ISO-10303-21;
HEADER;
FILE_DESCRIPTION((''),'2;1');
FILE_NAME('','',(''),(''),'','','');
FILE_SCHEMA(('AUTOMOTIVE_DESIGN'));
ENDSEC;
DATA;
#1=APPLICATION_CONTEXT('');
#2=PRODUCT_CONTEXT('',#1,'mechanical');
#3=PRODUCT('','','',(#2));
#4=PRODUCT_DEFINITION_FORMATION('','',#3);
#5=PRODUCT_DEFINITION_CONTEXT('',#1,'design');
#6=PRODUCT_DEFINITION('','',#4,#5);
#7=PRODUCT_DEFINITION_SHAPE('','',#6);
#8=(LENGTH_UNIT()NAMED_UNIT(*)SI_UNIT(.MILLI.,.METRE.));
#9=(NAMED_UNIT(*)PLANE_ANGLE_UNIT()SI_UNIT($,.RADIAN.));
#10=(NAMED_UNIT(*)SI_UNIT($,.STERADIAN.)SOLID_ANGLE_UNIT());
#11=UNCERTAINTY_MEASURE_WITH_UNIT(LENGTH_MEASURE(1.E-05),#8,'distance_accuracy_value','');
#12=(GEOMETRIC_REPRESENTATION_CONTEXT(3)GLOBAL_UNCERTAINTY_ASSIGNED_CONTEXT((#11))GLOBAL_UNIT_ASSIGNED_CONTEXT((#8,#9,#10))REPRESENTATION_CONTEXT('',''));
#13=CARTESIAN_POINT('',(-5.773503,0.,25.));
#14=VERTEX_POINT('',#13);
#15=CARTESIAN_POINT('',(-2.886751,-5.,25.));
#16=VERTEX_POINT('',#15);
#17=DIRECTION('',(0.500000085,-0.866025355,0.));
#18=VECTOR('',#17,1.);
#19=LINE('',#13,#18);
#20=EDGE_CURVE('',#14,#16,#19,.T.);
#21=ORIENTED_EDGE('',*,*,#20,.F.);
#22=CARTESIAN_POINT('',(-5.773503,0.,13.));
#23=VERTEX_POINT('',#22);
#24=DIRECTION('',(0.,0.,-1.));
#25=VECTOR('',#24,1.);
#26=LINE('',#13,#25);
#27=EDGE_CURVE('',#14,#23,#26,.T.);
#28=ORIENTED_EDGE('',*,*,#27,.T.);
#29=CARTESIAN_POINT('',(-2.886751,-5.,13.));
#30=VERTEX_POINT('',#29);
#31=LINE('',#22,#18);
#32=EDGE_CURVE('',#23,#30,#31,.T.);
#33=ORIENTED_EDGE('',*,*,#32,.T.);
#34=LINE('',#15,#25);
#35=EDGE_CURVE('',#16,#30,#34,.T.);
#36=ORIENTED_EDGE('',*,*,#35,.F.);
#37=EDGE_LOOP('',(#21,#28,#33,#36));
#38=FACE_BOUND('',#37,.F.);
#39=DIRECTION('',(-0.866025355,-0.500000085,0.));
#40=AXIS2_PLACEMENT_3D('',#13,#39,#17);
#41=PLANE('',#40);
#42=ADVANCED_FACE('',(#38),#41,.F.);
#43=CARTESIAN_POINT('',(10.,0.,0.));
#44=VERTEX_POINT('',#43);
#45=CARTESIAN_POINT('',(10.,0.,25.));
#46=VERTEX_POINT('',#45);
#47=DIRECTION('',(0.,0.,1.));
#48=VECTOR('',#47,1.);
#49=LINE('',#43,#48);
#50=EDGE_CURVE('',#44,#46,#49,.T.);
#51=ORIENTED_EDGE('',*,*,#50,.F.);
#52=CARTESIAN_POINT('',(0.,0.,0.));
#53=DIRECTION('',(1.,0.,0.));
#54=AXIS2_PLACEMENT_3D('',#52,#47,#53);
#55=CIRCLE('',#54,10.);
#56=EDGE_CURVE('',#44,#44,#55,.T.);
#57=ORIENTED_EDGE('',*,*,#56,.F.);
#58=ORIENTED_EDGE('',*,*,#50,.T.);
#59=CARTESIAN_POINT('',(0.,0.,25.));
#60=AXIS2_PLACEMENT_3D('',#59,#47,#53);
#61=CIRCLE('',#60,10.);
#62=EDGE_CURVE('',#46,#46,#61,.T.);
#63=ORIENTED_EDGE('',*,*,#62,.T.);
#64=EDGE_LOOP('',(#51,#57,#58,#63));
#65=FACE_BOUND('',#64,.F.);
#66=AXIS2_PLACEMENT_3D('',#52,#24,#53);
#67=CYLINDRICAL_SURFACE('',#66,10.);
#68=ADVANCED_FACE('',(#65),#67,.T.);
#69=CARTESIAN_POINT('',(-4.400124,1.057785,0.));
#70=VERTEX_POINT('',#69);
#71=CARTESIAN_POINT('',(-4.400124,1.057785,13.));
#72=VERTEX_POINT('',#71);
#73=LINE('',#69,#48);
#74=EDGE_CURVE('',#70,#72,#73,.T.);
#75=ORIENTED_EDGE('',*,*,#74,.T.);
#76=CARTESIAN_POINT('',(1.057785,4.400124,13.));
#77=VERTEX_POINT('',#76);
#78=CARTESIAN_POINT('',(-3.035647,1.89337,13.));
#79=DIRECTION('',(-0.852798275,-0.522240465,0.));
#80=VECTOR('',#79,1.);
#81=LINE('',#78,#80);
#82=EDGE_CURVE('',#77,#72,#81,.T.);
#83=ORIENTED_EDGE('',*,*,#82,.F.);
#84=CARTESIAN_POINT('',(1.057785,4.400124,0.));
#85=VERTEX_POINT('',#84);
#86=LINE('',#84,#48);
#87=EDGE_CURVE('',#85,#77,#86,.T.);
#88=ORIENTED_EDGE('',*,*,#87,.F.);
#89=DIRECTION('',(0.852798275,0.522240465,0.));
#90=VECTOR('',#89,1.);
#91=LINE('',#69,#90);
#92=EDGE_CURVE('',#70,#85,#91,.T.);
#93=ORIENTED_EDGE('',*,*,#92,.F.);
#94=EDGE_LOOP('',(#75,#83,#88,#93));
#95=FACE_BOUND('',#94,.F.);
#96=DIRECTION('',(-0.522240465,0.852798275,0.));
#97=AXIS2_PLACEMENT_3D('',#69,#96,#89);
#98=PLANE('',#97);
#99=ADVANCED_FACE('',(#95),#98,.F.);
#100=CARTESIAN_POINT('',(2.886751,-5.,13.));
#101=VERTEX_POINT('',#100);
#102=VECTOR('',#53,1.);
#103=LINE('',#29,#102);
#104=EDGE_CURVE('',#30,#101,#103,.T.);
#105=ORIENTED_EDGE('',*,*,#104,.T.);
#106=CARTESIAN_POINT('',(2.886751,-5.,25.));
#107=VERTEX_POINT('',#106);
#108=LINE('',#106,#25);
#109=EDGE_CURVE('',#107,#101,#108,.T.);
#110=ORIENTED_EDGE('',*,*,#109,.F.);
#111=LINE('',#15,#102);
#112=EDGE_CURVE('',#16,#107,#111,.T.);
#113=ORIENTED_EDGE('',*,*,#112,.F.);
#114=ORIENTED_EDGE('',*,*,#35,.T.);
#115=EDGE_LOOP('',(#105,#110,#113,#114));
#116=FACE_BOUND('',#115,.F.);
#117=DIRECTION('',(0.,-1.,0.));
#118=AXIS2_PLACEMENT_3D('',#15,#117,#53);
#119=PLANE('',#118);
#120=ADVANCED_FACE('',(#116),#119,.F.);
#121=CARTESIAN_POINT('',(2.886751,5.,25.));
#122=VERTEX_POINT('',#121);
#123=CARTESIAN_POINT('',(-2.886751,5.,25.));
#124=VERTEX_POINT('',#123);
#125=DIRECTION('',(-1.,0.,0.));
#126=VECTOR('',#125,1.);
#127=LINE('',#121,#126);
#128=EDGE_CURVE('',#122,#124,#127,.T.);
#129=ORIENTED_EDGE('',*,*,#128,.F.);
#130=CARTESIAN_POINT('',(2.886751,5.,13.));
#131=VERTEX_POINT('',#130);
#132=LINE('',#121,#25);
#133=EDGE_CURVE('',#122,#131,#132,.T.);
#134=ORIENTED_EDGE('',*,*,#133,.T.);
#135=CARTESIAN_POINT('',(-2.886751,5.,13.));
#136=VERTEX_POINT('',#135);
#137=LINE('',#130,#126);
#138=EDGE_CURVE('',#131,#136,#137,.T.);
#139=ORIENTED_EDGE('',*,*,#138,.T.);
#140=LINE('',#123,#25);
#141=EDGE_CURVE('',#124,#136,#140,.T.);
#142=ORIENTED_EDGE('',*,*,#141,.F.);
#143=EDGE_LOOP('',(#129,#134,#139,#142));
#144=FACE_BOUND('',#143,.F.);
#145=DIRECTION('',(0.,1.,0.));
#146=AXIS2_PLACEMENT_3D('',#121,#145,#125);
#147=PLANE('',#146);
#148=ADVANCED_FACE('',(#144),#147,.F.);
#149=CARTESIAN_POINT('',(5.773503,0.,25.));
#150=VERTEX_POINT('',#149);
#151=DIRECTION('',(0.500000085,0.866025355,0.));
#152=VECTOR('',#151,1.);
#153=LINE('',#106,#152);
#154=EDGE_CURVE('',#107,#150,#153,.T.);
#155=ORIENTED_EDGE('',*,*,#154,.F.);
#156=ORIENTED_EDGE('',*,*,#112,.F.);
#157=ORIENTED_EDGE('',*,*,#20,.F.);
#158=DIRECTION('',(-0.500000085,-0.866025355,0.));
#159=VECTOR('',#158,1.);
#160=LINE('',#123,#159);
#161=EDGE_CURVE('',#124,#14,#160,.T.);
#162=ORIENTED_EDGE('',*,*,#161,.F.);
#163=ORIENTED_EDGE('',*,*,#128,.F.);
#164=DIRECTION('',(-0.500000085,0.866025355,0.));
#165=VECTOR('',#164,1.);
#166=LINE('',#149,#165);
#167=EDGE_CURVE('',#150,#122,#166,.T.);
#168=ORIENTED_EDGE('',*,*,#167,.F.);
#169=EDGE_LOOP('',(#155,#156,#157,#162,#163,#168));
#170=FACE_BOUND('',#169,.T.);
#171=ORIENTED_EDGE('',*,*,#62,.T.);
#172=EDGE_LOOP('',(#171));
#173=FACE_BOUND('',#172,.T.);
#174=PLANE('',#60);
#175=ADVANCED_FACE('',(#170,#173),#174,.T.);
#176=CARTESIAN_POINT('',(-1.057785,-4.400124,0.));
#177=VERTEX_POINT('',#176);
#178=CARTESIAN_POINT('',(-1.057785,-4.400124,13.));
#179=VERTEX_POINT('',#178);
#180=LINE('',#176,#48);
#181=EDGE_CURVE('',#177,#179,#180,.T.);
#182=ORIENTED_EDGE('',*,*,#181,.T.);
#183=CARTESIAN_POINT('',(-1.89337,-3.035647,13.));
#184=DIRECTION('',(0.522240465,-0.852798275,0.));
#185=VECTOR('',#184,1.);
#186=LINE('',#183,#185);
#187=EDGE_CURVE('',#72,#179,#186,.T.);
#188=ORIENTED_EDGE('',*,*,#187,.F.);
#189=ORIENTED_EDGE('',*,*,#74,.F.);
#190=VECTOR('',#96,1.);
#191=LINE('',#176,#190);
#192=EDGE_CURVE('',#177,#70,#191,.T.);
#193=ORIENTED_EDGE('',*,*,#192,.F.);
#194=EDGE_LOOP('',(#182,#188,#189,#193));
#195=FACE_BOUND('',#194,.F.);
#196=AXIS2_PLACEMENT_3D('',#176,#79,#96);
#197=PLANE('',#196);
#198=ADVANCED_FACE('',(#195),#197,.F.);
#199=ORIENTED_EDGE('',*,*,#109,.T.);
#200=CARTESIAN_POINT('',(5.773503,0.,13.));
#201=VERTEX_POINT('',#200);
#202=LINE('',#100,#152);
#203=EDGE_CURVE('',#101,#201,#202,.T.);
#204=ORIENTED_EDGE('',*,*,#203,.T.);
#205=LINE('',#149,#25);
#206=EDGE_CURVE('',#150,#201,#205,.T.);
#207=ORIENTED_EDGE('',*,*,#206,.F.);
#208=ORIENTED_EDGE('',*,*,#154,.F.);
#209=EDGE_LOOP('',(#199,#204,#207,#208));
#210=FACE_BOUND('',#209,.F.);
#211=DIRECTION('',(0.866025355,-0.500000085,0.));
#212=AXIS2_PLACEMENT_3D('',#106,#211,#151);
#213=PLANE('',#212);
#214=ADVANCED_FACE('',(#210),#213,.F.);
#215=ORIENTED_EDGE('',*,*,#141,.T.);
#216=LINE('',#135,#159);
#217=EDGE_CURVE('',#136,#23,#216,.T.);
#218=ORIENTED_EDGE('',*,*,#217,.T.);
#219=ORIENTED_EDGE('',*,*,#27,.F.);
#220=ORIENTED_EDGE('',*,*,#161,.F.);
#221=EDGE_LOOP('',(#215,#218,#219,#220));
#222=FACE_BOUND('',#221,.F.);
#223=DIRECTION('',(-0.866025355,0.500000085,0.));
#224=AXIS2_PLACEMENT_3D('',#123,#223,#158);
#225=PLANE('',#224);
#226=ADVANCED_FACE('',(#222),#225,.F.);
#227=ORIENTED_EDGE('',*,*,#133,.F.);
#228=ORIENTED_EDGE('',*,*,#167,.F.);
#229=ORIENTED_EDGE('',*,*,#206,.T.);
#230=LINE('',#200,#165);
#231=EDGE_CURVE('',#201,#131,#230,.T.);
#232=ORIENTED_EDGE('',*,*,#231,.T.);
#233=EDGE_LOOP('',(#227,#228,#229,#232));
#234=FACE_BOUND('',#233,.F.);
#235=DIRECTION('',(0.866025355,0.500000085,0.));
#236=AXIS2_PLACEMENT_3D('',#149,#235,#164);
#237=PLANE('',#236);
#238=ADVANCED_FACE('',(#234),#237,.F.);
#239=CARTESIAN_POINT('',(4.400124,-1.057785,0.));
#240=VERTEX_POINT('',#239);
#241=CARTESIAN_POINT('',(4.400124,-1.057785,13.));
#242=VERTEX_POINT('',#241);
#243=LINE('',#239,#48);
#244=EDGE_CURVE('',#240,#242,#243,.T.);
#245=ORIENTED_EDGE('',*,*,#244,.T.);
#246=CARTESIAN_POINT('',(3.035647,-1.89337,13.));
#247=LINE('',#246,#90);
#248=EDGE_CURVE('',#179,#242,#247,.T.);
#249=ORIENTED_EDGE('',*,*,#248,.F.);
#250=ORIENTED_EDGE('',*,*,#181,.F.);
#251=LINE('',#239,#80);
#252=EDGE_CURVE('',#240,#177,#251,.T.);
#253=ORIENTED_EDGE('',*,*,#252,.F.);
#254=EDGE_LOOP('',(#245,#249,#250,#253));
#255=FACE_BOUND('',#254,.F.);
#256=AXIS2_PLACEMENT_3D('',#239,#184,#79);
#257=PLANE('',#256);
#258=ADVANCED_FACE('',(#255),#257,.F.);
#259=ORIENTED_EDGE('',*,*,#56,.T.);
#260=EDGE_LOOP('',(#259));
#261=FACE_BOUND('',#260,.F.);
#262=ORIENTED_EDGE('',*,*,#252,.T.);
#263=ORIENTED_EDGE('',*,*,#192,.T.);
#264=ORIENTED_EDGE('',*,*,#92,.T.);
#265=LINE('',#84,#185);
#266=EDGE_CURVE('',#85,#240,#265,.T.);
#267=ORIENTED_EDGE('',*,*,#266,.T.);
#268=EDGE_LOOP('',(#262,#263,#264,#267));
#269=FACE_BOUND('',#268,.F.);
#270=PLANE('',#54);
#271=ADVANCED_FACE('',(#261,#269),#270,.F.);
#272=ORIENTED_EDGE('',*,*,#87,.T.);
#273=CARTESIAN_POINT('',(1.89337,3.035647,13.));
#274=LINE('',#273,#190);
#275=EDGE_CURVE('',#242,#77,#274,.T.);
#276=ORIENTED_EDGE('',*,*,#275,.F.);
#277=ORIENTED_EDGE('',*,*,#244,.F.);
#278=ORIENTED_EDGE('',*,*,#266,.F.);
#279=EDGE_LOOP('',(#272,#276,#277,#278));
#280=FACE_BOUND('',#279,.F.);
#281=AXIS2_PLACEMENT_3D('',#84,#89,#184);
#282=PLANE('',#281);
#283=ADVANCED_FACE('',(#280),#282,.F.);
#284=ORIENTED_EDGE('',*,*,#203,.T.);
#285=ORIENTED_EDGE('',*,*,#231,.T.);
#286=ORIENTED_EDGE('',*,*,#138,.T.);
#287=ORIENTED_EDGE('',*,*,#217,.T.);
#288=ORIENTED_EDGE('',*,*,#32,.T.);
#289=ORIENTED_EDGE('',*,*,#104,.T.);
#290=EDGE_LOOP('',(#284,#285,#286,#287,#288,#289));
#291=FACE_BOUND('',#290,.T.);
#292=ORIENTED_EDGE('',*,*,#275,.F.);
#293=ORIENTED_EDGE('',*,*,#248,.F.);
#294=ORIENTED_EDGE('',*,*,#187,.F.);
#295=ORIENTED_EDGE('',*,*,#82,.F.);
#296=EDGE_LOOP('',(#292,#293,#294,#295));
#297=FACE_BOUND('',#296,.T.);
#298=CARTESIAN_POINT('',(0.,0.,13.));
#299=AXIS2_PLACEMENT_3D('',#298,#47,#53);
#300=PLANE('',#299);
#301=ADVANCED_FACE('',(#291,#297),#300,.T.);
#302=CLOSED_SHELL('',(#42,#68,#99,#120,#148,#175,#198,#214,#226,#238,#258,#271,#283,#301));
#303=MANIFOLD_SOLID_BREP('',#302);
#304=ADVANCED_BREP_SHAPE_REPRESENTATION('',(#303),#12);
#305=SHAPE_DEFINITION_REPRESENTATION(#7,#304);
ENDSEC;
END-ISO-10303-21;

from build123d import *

# Parameters (mm, degrees)
F0_R     = 10
F1_DEPTH = 25
F3_DEPTH = 12
F5_DEPTH = 25


with BuildPart() as f1:
    # F0 (on Top) → F1 (new body)
    with BuildSketch(Plane.XY):
        Circle(F0_R)
    extrude(amount=F1_DEPTH)

    # F2 (on face) → F3 (cut)
    with BuildSketch(Plane.XY.offset(25)):
        Polygon((2.886751, 5), (-2.886751, 5), (-5.773503, 0), (-2.886751, -5), (2.886751, -5), (5.773503, 0), align=None)
    extrude(amount=-F3_DEPTH, mode=Mode.SUBTRACT)

    # F4 (on face) → F5 (cut)
    with BuildSketch(Plane(origin=(0, 0, 0), x_dir=(1, 0, 0), z_dir=(0, 0, -1))):
        Polygon((1.057785, -4.400124), (4.400124, 1.057785), (-1.057785, 4.400124), (-4.400124, -1.057785), align=None)
    extrude(amount=-F5_DEPTH, mode=Mode.SUBTRACT)


solid = f1.part
